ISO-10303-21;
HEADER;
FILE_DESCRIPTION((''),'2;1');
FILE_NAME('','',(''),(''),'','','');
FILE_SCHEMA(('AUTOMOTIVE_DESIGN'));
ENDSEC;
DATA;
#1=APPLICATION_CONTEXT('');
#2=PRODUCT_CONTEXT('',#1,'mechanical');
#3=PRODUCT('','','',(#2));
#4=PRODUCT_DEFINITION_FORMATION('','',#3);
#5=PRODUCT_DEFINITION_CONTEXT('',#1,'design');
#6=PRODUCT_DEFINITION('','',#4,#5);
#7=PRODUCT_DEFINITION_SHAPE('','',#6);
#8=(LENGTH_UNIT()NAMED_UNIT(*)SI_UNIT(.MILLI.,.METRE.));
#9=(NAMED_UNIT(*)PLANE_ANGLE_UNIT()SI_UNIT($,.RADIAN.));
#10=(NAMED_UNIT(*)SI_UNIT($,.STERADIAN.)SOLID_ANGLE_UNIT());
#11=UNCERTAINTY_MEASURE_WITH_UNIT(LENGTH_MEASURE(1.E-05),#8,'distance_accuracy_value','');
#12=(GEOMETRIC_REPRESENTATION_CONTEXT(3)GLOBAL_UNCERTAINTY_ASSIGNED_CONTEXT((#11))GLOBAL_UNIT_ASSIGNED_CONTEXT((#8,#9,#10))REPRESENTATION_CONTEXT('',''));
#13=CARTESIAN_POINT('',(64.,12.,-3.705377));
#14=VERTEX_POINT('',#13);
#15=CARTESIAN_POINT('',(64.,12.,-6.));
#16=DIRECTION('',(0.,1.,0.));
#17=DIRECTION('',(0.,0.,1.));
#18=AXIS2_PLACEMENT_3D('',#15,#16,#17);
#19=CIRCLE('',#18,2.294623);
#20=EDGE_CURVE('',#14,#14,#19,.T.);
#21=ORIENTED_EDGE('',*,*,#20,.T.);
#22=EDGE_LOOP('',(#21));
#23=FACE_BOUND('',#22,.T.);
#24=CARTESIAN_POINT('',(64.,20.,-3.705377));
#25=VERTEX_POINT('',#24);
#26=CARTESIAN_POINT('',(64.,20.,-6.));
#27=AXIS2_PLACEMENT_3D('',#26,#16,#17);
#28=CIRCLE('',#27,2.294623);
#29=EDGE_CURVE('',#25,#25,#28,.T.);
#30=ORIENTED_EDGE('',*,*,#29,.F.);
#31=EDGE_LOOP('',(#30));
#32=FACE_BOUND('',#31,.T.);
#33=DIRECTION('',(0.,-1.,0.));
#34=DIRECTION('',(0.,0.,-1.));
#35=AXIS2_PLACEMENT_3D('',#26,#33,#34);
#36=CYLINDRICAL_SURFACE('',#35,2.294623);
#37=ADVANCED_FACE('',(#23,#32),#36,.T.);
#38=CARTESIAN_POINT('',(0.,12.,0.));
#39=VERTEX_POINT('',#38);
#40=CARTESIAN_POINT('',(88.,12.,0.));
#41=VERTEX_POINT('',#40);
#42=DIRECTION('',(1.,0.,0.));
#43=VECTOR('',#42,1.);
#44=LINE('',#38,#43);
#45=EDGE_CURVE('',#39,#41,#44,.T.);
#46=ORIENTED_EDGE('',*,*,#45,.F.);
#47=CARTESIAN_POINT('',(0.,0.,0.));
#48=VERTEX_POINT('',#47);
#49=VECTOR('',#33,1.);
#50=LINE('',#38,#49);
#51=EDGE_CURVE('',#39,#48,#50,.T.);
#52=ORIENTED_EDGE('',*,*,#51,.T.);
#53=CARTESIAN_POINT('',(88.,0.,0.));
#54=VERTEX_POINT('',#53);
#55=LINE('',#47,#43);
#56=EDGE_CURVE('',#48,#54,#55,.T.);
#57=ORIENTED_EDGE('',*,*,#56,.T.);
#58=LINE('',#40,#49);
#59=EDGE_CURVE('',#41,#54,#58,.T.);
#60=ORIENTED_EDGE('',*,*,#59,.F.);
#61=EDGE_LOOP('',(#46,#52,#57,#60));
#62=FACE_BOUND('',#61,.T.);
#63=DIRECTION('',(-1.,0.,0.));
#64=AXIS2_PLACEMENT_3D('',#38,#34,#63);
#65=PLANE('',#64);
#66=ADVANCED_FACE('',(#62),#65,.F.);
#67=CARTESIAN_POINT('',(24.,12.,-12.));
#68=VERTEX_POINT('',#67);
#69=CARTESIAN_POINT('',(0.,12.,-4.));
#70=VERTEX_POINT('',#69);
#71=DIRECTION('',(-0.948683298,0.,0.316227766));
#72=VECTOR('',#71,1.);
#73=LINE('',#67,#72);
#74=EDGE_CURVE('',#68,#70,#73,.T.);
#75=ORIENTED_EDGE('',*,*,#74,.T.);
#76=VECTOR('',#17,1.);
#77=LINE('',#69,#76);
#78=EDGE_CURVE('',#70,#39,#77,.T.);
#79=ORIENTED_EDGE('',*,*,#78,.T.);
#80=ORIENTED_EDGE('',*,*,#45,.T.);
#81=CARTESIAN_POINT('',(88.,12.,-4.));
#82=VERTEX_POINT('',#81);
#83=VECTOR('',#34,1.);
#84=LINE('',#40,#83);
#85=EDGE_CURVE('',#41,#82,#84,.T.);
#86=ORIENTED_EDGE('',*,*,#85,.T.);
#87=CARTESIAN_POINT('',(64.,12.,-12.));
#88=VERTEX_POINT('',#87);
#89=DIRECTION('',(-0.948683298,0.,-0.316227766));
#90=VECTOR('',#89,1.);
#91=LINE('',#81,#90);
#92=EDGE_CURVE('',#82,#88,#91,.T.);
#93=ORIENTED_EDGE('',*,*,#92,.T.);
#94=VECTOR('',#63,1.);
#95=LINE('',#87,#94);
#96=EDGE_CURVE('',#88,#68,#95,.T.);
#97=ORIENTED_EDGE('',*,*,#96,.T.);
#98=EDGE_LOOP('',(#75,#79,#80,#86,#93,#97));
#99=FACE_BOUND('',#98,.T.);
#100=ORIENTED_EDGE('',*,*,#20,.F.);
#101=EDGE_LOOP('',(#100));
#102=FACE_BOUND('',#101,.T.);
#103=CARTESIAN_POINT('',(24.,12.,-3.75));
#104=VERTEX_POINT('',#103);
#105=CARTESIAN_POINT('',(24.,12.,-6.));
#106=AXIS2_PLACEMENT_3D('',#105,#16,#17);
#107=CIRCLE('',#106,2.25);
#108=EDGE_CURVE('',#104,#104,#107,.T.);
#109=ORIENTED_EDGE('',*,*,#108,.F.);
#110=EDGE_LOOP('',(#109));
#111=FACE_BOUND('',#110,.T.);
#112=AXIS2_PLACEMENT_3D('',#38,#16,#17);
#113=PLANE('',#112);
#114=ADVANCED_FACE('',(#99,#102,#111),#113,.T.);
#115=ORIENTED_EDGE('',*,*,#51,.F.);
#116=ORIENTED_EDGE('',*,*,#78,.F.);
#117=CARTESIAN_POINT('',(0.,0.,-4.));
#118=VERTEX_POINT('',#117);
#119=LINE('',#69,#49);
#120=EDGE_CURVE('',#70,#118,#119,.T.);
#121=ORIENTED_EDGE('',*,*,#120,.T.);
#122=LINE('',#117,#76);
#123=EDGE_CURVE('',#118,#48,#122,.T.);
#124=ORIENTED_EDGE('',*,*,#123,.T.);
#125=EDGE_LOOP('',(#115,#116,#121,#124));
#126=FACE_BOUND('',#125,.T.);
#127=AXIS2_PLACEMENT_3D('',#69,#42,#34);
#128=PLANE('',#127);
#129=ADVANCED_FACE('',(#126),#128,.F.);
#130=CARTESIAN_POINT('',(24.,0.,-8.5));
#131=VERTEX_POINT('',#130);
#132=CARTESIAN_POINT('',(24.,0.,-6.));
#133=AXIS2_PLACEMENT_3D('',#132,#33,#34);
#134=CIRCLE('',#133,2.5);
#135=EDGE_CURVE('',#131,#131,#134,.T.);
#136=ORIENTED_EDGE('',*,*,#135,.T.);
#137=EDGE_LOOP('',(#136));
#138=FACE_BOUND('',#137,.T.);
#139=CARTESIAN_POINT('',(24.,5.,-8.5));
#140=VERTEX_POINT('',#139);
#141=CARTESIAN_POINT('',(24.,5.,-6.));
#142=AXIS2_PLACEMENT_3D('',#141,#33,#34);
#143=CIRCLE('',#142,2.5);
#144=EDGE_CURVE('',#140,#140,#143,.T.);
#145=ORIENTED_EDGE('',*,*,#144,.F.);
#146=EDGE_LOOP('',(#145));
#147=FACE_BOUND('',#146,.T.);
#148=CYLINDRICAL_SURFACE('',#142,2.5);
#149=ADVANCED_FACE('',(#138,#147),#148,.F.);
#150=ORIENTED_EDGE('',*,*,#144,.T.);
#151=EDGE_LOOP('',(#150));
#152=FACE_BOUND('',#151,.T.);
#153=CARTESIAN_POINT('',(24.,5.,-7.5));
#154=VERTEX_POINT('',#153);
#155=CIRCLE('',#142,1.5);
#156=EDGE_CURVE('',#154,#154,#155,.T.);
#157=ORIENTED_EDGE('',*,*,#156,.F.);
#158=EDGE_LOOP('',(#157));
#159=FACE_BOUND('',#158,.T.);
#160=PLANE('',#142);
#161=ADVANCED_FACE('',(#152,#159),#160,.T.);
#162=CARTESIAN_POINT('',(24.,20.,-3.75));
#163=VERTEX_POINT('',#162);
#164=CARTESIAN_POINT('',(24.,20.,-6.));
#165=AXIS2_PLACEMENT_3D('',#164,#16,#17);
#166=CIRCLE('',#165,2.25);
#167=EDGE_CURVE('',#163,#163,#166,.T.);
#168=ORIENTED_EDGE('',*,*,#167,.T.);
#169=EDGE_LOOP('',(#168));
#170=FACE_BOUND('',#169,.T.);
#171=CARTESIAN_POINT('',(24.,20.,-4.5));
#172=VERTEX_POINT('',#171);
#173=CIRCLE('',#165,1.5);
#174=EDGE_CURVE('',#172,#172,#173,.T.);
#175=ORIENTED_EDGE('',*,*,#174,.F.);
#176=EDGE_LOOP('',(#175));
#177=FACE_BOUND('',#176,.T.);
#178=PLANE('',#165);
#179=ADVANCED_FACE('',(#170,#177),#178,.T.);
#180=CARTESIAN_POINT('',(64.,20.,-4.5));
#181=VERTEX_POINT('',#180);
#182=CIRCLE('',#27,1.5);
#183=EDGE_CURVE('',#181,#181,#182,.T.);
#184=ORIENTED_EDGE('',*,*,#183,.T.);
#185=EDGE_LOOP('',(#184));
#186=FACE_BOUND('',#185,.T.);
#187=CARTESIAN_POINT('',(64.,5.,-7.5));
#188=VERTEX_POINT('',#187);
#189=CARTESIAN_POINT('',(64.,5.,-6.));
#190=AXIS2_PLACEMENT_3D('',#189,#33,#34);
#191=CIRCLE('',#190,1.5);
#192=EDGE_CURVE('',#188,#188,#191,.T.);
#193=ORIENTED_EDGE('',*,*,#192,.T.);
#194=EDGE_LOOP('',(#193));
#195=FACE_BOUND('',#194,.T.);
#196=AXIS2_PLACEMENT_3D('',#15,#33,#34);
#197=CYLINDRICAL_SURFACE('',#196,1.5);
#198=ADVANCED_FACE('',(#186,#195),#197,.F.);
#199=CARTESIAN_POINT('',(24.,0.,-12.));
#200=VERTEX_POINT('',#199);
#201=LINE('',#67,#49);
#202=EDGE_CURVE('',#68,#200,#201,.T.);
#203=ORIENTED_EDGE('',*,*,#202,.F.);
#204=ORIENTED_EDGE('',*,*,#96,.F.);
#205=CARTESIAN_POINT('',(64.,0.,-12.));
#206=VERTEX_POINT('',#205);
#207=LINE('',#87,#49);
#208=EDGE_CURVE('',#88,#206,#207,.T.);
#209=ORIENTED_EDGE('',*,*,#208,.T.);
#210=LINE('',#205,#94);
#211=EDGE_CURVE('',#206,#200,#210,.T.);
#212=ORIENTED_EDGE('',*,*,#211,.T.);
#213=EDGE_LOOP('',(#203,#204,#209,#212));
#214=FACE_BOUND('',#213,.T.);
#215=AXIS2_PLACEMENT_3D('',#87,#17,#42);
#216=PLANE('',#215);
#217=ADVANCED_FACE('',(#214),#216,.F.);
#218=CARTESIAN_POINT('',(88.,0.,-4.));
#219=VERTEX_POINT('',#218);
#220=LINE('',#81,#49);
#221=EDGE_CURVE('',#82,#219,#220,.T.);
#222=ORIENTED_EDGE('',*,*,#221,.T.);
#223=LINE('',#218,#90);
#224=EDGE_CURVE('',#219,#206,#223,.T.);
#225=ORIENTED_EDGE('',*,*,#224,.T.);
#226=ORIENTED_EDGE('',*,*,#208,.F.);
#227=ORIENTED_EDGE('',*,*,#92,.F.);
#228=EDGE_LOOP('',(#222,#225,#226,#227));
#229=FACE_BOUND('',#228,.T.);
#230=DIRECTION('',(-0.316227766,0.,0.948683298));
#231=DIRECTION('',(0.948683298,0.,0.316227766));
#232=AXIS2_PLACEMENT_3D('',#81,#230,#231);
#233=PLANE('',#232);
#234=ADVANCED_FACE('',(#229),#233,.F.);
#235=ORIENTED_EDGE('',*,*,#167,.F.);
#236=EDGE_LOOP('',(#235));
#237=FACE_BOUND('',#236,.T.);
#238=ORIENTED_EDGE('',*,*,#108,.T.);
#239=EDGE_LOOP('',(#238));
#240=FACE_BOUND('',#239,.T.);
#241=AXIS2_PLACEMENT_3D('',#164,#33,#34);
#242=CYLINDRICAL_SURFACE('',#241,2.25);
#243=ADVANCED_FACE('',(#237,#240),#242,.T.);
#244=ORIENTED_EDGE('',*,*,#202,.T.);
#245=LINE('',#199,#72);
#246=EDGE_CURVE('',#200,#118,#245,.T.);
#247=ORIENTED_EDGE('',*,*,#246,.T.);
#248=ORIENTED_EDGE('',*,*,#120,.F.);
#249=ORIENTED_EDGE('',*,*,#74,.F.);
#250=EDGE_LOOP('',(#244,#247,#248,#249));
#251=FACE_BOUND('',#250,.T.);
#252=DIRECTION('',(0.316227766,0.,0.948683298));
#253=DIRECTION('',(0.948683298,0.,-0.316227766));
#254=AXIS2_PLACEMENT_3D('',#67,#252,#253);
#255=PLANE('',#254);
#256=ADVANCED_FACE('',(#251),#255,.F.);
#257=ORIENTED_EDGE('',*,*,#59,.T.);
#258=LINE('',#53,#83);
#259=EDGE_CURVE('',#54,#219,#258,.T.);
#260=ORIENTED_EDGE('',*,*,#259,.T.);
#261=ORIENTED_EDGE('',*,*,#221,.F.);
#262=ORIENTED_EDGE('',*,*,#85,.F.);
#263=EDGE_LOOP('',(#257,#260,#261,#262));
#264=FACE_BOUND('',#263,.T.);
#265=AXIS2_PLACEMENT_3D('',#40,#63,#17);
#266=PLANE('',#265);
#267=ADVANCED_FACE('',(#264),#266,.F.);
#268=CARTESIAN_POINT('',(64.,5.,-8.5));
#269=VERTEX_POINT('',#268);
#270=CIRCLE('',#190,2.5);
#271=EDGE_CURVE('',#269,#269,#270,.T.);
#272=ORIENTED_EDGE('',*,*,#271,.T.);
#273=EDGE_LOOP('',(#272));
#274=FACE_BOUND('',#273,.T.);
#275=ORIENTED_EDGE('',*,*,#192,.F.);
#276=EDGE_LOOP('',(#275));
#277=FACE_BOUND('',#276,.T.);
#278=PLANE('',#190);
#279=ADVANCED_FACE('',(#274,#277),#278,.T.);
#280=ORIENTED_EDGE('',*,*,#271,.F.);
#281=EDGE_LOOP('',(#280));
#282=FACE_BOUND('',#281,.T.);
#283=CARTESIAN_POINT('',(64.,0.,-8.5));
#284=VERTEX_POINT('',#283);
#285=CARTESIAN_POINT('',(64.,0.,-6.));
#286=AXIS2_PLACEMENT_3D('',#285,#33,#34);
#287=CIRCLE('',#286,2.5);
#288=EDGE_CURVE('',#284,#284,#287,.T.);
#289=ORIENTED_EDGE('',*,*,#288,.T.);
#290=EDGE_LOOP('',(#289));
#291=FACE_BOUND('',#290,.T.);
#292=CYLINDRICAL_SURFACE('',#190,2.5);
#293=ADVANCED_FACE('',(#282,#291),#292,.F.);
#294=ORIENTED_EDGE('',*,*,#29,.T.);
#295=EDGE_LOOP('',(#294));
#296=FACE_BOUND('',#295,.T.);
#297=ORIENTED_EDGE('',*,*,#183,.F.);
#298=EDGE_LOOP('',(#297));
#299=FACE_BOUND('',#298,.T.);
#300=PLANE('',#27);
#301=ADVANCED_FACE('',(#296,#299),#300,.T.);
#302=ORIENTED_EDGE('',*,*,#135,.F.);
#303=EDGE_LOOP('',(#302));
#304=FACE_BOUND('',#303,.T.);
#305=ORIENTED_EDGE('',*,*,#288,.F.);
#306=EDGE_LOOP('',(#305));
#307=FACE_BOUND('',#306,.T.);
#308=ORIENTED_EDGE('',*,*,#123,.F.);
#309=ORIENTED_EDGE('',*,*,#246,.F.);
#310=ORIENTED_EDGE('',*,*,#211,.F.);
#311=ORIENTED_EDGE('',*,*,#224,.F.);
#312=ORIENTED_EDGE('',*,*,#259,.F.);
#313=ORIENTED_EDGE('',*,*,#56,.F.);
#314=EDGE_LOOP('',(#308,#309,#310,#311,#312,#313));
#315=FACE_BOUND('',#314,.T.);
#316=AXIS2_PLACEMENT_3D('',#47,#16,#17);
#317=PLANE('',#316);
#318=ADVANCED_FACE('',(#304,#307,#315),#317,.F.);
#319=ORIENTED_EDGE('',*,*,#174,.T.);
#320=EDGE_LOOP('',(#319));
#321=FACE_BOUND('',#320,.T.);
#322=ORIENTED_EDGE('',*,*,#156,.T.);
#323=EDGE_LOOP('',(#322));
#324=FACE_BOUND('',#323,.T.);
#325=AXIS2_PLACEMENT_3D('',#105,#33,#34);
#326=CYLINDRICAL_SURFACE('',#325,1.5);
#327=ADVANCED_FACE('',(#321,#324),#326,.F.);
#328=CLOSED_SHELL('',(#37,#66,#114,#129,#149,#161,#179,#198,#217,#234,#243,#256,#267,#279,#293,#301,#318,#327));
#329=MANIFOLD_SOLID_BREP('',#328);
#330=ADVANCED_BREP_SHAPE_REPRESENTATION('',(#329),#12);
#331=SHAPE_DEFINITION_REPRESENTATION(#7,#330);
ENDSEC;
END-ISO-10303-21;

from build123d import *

# Parameters (mm, degrees)
BOSS_EXTRUDE1_DEPTH = 12
SKETCH2_R           = 2.5
CUT_EXTRUDE1_DEPTH  = 5
SKETCH3_R           = 1.5
CUT_EXTRUDE2_DEPTH  = 90.089842294
SKETCH4_R           = 2.25
SKETCH4_R_2         = 1.5
SKETCH4_R_3         = 2.294622505
BOSS_EXTRUDE2_DEPTH = 8


with BuildPart() as part:
    # Sketch1 → Boss-Extrude1 (new body)
    with BuildSketch(Plane(origin=(0, 0, 0), x_dir=(1, 0, 0), z_dir=(0, 1, 0))):
        Polygon((0, 0), (88, 0), (88, 4), (64, 12), (24, 12), (0, 4), align=None)
    extrude(amount=BOSS_EXTRUDE1_DEPTH)

    # Sketch2 → Cut-Extrude1 (cut)
    with BuildSketch(Plane(origin=(0, 0, 0), x_dir=(-1, 0, 0), z_dir=(0, -1, 0))):
        with Locations(Location((-24, 6, 0), (0, 0, 90))):
            Circle(SKETCH2_R)
        with Locations(Location((-64, 6, 0), (0, 0, 90))):
            Circle(SKETCH2_R)
    extrude(amount=-CUT_EXTRUDE1_DEPTH, mode=Mode.SUBTRACT)

    # Sketch3 → Cut-Extrude2 (cut, through all)
    with BuildSketch(Plane(origin=(0, 5, 0), x_dir=(-1, 0, 0), z_dir=(0, -1, 0))):
        with Locations(Location((-24, 6, 0), (0, 0, 90))):
            Circle(SKETCH3_R)
        with Locations(Location((-64, 6, 0), (0, 0, 90))):
            Circle(SKETCH3_R)
    extrude(amount=-CUT_EXTRUDE2_DEPTH, mode=Mode.SUBTRACT)

    # Sketch4 → Boss-Extrude2 (add)
    with BuildSketch(Plane(origin=(0, 12, 0), x_dir=(1, 0, 0), z_dir=(0, 1, 0))):
        with Locations(Location((24, 6, 0), (0, 0, 270))):
            Circle(SKETCH4_R)
        with Locations(Location((24, 6, 0), (0, 0, 90))):
            Circle(SKETCH4_R_2, mode=Mode.SUBTRACT)
        with Locations(Location((64, 6, 0), (0, 0, 270))):
            Circle(SKETCH4_R_3)
        with Locations(Location((64, 6, 0), (0, 0, 90))):
            Circle(SKETCH4_R_2, mode=Mode.SUBTRACT)
    extrude(amount=BOSS_EXTRUDE2_DEPTH)


solid = part.part
